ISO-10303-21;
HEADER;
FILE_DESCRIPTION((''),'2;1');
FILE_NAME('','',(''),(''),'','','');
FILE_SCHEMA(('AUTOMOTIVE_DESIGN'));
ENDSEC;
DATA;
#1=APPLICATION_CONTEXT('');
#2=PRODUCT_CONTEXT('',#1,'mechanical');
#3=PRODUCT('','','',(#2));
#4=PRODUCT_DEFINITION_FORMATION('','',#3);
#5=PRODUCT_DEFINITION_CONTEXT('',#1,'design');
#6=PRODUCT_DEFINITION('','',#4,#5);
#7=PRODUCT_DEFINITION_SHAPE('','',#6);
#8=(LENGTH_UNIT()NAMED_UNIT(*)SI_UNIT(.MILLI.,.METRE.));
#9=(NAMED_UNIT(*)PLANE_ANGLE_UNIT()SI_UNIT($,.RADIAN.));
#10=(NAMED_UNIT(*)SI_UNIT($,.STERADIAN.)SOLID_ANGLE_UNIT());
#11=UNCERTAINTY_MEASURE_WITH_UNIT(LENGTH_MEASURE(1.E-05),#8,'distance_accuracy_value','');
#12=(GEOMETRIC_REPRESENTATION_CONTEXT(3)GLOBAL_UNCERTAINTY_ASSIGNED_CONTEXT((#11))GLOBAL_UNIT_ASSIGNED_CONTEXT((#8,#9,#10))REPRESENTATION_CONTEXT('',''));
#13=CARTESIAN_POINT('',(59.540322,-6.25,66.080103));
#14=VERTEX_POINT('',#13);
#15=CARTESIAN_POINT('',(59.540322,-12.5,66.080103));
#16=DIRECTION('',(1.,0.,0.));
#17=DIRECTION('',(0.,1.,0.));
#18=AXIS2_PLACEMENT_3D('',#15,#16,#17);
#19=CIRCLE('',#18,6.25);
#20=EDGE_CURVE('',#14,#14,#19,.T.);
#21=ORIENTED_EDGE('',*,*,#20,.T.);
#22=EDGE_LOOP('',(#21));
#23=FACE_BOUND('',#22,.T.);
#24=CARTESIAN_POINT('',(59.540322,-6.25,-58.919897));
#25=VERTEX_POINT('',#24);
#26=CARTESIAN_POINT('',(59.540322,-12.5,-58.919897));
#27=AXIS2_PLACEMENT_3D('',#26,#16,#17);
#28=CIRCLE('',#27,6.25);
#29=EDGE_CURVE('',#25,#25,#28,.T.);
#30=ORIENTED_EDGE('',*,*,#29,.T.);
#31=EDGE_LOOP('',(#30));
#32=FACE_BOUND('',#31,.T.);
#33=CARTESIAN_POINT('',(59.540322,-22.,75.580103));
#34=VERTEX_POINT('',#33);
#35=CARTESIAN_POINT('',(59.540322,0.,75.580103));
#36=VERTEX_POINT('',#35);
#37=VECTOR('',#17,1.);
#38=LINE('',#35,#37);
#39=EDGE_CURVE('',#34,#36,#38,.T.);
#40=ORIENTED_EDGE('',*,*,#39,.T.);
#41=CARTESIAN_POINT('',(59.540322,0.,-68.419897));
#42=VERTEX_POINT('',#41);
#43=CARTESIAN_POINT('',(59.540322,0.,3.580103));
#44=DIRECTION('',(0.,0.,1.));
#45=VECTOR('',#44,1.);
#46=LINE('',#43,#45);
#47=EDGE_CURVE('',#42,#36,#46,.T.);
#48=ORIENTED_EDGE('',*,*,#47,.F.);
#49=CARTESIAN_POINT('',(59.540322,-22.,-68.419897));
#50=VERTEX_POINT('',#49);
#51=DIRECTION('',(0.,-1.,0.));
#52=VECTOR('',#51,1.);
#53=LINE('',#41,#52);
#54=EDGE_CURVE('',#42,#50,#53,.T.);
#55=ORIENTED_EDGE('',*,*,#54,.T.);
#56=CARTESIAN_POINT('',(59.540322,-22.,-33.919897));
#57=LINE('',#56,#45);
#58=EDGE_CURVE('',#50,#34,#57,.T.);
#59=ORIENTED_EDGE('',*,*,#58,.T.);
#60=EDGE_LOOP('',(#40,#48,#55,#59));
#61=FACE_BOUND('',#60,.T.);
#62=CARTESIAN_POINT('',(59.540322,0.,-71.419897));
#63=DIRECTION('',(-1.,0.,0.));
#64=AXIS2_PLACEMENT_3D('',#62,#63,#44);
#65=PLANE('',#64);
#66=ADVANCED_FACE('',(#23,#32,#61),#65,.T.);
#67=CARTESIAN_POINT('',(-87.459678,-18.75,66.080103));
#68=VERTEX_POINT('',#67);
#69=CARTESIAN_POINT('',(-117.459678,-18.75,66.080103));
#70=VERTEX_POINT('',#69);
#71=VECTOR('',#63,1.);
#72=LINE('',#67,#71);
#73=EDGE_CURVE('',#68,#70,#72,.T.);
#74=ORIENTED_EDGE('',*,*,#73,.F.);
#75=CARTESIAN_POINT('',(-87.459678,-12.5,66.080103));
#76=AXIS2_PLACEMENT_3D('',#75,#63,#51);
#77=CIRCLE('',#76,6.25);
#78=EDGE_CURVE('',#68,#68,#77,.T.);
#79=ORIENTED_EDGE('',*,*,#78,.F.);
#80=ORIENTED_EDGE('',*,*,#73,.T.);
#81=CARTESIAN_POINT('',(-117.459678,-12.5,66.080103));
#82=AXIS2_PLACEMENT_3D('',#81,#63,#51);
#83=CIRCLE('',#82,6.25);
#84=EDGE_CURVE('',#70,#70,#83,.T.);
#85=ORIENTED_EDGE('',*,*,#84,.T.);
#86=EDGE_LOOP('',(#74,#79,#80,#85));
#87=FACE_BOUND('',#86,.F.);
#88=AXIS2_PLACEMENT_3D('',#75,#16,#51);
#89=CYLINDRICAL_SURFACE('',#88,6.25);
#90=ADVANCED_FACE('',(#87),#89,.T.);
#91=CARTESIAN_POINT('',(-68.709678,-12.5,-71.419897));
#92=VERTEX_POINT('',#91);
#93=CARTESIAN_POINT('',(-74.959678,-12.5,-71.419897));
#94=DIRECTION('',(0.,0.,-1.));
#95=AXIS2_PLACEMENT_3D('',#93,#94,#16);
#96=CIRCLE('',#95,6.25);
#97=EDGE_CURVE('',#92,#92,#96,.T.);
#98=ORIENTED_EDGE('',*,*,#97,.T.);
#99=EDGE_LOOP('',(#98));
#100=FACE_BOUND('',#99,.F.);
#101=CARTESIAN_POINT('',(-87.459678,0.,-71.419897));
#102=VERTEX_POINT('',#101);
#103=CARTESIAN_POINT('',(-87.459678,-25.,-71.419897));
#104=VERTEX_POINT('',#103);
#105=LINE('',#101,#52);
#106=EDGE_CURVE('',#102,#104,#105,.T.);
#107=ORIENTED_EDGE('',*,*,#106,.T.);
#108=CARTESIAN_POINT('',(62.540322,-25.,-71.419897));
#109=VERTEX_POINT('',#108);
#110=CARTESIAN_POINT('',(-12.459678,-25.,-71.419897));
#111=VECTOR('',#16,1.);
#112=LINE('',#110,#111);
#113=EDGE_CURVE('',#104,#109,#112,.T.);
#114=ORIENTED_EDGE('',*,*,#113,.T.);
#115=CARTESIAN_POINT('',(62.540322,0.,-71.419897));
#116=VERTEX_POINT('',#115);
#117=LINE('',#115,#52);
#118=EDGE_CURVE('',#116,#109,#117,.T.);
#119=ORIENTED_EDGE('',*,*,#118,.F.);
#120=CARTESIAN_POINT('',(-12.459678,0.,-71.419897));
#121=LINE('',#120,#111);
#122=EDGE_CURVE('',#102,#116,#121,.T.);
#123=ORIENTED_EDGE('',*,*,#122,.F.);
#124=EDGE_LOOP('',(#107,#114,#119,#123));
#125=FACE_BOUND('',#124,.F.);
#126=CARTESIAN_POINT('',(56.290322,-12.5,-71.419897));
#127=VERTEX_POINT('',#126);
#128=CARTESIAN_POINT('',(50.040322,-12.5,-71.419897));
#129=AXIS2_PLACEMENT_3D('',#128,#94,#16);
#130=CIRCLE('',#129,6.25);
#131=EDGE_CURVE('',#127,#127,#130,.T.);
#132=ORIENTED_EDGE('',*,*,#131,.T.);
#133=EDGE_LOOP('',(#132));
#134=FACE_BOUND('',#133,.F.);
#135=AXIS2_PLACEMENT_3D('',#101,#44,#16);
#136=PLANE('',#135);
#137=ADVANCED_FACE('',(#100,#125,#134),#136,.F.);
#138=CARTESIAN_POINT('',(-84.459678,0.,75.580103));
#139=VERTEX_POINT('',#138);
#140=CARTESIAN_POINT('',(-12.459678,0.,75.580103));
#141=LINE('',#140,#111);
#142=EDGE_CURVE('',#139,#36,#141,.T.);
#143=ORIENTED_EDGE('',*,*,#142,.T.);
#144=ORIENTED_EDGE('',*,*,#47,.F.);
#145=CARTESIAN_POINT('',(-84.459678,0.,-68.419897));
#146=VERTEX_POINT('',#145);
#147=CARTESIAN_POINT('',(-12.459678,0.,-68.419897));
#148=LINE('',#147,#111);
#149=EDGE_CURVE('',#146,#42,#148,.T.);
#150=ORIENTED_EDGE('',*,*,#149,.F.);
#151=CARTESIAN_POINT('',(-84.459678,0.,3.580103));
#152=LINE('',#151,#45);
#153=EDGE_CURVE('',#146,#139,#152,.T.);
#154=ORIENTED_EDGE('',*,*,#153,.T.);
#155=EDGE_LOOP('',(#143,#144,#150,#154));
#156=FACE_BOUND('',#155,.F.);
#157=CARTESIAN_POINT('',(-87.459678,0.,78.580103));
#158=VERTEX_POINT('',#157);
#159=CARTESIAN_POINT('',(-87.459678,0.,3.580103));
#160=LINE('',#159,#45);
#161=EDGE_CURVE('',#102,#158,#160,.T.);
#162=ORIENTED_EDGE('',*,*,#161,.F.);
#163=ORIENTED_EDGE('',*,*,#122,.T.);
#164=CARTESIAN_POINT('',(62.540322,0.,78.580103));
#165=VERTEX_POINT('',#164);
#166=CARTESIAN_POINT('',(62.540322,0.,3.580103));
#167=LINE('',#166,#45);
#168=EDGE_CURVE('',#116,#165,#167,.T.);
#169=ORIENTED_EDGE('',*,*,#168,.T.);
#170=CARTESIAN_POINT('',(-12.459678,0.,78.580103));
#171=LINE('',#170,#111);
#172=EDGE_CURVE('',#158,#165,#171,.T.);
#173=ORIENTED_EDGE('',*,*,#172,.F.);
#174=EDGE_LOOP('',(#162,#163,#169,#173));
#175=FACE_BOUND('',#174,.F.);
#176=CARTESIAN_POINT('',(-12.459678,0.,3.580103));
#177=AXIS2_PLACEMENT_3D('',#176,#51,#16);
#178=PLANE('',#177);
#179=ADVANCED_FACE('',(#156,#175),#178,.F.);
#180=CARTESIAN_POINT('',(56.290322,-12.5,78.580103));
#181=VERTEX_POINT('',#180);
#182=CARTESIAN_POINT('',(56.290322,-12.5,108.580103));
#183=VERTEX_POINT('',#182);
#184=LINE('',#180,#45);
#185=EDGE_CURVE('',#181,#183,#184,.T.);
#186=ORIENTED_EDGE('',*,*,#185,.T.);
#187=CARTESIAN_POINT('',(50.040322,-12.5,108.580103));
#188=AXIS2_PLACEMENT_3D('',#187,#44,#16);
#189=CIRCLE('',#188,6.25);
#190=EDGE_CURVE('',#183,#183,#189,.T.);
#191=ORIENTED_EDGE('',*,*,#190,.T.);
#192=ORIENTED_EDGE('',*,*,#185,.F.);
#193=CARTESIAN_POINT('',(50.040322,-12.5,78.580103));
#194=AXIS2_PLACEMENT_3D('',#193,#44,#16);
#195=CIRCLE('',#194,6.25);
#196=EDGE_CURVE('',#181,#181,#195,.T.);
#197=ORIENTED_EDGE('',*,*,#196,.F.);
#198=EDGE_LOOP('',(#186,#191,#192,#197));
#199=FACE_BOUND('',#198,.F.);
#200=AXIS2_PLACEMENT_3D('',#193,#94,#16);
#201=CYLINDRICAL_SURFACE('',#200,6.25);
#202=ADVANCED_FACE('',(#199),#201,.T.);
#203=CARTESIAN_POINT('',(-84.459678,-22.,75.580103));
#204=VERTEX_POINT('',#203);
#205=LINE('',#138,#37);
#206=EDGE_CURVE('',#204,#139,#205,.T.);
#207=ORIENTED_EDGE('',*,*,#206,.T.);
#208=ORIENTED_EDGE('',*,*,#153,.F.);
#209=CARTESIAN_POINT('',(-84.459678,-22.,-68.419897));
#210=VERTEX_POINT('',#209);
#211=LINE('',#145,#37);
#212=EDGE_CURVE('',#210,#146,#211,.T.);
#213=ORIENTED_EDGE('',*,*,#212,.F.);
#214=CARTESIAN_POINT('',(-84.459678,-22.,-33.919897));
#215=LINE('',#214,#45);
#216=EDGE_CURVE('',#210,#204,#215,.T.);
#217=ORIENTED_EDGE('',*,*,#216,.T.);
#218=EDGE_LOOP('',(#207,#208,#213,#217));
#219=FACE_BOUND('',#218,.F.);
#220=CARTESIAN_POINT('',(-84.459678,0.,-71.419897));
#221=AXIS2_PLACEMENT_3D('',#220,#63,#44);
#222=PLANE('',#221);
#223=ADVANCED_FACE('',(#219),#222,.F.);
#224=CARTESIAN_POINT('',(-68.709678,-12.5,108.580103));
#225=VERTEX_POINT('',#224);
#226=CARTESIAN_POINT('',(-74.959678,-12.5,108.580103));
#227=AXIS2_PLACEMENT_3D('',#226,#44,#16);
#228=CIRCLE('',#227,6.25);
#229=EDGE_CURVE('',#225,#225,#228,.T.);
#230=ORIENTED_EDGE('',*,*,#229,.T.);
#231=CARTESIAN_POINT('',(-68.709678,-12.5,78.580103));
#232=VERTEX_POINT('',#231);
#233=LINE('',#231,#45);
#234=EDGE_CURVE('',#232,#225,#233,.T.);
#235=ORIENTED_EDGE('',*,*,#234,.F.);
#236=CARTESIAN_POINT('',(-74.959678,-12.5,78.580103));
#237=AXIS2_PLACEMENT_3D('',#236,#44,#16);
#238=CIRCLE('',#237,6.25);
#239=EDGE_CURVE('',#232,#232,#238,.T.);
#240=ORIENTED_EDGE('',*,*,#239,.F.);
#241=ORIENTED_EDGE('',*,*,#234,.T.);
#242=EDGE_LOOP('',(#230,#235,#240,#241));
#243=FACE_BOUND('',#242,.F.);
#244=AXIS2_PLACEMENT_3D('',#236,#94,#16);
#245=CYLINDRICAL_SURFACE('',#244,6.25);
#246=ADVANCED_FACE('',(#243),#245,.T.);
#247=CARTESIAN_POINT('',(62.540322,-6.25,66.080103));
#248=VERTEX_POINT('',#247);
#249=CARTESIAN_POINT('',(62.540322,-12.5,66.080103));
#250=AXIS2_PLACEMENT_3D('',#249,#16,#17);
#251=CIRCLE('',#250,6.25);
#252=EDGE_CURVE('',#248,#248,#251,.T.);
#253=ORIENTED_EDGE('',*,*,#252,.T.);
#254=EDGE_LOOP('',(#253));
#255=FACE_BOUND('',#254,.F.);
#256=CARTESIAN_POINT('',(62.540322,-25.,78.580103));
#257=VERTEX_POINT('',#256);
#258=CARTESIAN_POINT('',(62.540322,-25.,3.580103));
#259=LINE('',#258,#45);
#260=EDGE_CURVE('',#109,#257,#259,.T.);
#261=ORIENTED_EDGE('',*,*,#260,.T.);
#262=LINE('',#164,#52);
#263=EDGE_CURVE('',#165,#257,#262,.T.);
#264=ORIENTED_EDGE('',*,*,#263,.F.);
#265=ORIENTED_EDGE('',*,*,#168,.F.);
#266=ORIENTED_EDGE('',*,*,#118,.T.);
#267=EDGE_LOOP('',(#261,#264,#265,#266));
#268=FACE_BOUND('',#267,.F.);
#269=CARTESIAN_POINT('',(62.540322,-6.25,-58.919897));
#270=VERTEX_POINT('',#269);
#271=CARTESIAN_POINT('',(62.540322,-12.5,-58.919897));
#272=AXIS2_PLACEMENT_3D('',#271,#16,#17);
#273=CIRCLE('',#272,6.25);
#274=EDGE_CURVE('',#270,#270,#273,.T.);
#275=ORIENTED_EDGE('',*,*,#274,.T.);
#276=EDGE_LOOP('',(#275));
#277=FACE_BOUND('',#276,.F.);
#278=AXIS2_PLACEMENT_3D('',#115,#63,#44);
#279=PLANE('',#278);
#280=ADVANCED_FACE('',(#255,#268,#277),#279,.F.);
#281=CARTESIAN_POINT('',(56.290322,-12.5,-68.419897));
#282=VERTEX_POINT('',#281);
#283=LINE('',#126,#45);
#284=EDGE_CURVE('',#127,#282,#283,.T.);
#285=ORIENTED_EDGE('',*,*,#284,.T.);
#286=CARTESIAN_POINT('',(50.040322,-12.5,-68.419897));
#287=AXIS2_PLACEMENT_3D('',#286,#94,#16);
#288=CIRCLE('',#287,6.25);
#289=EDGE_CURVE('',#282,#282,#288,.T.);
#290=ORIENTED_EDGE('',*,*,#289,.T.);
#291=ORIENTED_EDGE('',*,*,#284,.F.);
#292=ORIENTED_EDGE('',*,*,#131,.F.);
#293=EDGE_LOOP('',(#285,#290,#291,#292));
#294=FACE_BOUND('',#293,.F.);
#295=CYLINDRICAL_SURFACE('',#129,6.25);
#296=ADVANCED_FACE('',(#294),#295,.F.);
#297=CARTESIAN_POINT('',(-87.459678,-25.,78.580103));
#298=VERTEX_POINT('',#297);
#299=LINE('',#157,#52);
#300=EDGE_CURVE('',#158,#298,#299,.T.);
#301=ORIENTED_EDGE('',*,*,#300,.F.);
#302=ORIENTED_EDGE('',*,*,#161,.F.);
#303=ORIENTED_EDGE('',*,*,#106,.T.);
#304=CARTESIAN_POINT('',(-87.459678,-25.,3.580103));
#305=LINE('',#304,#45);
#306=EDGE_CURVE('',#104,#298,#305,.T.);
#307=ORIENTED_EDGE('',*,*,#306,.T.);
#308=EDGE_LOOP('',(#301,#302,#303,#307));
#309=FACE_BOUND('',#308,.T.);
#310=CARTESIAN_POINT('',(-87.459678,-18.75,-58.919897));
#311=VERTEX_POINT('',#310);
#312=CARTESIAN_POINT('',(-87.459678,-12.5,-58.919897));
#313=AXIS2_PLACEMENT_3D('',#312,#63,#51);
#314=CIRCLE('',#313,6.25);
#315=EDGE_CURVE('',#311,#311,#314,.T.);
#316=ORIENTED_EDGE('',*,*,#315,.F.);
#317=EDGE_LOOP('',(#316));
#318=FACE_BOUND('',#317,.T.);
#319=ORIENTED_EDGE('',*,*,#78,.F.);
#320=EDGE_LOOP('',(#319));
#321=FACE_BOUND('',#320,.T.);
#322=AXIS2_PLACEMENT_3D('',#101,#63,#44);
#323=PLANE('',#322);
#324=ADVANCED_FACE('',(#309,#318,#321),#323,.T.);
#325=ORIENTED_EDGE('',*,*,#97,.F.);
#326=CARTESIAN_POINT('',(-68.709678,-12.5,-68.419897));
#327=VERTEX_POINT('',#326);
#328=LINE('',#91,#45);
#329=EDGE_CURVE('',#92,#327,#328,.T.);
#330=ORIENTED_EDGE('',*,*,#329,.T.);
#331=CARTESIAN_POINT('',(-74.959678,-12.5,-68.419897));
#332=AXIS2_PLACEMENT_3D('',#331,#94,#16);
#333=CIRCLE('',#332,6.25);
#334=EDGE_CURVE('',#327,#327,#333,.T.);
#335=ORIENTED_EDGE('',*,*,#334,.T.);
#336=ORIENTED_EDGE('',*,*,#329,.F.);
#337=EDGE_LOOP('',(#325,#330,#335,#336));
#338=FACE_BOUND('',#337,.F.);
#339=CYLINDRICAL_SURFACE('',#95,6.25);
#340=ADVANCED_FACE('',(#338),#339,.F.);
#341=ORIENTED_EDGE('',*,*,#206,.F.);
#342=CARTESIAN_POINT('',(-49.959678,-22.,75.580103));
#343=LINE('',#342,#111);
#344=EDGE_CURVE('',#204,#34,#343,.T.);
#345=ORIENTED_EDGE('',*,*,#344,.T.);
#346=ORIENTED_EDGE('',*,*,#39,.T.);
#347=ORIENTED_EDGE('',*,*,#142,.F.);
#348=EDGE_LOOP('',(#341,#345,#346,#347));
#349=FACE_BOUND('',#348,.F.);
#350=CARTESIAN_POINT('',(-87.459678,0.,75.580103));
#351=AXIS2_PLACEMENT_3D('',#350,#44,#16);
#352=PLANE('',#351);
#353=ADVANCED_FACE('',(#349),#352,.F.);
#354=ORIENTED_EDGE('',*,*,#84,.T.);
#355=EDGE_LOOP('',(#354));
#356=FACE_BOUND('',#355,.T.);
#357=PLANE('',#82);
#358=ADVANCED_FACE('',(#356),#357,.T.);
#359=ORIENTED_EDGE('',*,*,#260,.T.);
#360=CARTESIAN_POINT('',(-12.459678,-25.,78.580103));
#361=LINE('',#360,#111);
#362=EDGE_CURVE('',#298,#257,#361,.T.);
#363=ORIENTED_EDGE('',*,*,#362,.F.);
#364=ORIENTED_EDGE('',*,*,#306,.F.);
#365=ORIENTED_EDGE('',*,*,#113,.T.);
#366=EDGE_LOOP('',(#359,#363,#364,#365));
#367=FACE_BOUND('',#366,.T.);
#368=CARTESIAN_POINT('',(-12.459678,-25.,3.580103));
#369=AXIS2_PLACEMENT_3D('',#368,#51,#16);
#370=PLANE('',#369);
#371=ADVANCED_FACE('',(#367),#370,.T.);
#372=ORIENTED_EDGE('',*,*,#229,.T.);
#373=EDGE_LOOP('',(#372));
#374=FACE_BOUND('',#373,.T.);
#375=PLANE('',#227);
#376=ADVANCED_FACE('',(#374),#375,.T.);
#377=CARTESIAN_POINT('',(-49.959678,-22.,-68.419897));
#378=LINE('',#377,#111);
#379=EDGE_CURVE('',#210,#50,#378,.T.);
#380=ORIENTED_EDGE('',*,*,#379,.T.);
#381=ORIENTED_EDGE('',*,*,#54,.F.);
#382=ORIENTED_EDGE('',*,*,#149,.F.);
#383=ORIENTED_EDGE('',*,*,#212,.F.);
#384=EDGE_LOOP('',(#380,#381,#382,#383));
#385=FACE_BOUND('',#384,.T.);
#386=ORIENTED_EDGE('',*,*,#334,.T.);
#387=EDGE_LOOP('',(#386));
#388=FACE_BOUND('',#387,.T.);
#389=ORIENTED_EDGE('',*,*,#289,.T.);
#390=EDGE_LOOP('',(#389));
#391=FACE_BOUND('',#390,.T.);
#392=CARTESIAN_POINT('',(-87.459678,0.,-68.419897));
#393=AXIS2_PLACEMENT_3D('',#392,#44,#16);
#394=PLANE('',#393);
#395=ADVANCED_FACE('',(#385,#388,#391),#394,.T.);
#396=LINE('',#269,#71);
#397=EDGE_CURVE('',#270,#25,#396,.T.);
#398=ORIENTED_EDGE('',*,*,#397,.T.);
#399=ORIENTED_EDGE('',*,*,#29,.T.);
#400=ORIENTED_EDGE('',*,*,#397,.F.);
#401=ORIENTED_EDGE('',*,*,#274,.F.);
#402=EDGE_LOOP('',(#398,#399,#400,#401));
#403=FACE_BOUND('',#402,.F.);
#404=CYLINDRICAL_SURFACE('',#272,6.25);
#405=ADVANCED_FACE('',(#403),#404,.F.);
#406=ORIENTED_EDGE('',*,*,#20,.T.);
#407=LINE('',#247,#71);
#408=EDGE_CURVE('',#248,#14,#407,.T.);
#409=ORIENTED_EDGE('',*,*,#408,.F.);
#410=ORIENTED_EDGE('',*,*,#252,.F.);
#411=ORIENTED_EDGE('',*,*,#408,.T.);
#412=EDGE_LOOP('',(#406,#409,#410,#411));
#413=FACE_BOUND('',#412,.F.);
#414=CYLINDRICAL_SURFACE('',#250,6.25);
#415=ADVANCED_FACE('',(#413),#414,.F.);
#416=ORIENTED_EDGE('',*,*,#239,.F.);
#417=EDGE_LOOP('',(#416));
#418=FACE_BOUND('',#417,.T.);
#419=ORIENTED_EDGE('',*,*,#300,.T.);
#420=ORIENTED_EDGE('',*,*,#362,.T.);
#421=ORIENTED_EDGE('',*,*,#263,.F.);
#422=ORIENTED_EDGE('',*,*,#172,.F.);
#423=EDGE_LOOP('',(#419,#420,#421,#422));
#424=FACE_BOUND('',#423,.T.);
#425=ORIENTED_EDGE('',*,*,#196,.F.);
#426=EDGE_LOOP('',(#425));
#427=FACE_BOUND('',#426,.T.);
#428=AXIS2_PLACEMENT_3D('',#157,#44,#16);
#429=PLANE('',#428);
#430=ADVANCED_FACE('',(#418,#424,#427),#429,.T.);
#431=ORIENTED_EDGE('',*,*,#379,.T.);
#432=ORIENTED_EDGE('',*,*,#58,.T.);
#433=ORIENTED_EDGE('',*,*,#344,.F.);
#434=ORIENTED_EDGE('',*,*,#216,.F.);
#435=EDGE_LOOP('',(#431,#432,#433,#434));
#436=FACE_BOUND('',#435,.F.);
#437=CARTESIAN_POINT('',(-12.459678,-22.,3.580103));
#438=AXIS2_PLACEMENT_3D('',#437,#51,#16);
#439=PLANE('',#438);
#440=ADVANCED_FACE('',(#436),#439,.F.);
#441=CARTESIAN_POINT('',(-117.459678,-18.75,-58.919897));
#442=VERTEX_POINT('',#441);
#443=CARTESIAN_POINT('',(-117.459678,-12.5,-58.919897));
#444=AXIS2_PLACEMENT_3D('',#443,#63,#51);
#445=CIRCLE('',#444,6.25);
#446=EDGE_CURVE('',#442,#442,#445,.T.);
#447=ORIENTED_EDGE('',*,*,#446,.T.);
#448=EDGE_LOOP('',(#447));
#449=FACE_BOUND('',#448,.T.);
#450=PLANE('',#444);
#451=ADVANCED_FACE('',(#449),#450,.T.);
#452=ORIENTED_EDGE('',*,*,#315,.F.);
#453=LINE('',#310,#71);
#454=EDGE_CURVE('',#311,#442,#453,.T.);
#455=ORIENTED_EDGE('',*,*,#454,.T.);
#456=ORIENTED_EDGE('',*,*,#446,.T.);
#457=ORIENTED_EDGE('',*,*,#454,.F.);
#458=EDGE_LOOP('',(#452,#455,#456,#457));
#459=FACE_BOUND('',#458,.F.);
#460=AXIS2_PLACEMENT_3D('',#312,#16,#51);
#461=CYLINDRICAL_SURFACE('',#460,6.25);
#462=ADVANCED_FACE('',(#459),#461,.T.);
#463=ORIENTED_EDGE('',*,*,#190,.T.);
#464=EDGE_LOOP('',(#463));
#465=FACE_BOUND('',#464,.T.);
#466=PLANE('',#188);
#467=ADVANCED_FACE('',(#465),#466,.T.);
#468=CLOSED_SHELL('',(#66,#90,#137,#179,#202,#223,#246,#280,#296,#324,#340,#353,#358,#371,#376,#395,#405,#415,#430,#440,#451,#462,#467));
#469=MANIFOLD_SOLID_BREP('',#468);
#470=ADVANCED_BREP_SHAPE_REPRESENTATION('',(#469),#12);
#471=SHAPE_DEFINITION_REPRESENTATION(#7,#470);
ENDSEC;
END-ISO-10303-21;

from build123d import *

# Parameters (mm, degrees)
F0_W      = 150
F0_H      = 150
F1_DEPTH  = 25
F2_T      = -3
F3_R      = 6.25
F4_DEPTH  = 30
F5_R      = 6.25
F6_DEPTH  = 25
F7_R      = 6.25
F8_DEPTH  = 30
F9_R      = 6.25
F10_DEPTH = 30


with BuildPart() as f1:
    # F0 (on Front) → F1 (new body)
    with BuildSketch(Plane.XZ):
        with Locations((-12.459678, 3.580103)):
            Rectangle(F0_W, F0_H)
    extrude(amount=F1_DEPTH)

    # F2
    f2_openings = [f1.faces().sort_by_distance(p)[0] for p in [
        (-12.459678, 0, 3.580103),
    ]]
    offset(amount=F2_T, openings=f2_openings)

    # F3 (on face) → F4 (join)
    with BuildSketch(Plane.XY.offset(78.580103)):
        with Locations((-74.959678, -12.5)):
            Circle(F3_R)
        with Locations((50.040322, -12.5)):
            Circle(F3_R)
    extrude(amount=F4_DEPTH)

    # F5 (on face) → F6 (cut)
    with BuildSketch(Plane(origin=(0, 0, -71.419897), x_dir=(1, 0, 0), z_dir=(0, 0, -1))):
        with Locations((-74.959678, 12.5)):
            Circle(F5_R)
        with Locations((50.040322, 12.5)):
            Circle(F5_R)
    extrude(amount=-F6_DEPTH, mode=Mode.SUBTRACT)

    # F7 (on face) → F8 (join)
    with BuildSketch(Plane(origin=(-87.459678, 0, 0), x_dir=(0, -1, 0), z_dir=(-1, 0, 0))):
        with Locations((12.5, 66.080103)):
            Circle(F7_R)
        with Locations((12.5, -58.919897)):
            Circle(F7_R)
    extrude(amount=F8_DEPTH)

    # F9 (on face) → F10 (cut)
    with BuildSketch(Plane.YZ.offset(62.540322)):
        with Locations((-12.5, 66.080103)):
            Circle(F9_R)
        with Locations((-12.5, -58.919897)):
            Circle(F9_R)
    extrude(amount=-F10_DEPTH, mode=Mode.SUBTRACT)


solid = f1.part
